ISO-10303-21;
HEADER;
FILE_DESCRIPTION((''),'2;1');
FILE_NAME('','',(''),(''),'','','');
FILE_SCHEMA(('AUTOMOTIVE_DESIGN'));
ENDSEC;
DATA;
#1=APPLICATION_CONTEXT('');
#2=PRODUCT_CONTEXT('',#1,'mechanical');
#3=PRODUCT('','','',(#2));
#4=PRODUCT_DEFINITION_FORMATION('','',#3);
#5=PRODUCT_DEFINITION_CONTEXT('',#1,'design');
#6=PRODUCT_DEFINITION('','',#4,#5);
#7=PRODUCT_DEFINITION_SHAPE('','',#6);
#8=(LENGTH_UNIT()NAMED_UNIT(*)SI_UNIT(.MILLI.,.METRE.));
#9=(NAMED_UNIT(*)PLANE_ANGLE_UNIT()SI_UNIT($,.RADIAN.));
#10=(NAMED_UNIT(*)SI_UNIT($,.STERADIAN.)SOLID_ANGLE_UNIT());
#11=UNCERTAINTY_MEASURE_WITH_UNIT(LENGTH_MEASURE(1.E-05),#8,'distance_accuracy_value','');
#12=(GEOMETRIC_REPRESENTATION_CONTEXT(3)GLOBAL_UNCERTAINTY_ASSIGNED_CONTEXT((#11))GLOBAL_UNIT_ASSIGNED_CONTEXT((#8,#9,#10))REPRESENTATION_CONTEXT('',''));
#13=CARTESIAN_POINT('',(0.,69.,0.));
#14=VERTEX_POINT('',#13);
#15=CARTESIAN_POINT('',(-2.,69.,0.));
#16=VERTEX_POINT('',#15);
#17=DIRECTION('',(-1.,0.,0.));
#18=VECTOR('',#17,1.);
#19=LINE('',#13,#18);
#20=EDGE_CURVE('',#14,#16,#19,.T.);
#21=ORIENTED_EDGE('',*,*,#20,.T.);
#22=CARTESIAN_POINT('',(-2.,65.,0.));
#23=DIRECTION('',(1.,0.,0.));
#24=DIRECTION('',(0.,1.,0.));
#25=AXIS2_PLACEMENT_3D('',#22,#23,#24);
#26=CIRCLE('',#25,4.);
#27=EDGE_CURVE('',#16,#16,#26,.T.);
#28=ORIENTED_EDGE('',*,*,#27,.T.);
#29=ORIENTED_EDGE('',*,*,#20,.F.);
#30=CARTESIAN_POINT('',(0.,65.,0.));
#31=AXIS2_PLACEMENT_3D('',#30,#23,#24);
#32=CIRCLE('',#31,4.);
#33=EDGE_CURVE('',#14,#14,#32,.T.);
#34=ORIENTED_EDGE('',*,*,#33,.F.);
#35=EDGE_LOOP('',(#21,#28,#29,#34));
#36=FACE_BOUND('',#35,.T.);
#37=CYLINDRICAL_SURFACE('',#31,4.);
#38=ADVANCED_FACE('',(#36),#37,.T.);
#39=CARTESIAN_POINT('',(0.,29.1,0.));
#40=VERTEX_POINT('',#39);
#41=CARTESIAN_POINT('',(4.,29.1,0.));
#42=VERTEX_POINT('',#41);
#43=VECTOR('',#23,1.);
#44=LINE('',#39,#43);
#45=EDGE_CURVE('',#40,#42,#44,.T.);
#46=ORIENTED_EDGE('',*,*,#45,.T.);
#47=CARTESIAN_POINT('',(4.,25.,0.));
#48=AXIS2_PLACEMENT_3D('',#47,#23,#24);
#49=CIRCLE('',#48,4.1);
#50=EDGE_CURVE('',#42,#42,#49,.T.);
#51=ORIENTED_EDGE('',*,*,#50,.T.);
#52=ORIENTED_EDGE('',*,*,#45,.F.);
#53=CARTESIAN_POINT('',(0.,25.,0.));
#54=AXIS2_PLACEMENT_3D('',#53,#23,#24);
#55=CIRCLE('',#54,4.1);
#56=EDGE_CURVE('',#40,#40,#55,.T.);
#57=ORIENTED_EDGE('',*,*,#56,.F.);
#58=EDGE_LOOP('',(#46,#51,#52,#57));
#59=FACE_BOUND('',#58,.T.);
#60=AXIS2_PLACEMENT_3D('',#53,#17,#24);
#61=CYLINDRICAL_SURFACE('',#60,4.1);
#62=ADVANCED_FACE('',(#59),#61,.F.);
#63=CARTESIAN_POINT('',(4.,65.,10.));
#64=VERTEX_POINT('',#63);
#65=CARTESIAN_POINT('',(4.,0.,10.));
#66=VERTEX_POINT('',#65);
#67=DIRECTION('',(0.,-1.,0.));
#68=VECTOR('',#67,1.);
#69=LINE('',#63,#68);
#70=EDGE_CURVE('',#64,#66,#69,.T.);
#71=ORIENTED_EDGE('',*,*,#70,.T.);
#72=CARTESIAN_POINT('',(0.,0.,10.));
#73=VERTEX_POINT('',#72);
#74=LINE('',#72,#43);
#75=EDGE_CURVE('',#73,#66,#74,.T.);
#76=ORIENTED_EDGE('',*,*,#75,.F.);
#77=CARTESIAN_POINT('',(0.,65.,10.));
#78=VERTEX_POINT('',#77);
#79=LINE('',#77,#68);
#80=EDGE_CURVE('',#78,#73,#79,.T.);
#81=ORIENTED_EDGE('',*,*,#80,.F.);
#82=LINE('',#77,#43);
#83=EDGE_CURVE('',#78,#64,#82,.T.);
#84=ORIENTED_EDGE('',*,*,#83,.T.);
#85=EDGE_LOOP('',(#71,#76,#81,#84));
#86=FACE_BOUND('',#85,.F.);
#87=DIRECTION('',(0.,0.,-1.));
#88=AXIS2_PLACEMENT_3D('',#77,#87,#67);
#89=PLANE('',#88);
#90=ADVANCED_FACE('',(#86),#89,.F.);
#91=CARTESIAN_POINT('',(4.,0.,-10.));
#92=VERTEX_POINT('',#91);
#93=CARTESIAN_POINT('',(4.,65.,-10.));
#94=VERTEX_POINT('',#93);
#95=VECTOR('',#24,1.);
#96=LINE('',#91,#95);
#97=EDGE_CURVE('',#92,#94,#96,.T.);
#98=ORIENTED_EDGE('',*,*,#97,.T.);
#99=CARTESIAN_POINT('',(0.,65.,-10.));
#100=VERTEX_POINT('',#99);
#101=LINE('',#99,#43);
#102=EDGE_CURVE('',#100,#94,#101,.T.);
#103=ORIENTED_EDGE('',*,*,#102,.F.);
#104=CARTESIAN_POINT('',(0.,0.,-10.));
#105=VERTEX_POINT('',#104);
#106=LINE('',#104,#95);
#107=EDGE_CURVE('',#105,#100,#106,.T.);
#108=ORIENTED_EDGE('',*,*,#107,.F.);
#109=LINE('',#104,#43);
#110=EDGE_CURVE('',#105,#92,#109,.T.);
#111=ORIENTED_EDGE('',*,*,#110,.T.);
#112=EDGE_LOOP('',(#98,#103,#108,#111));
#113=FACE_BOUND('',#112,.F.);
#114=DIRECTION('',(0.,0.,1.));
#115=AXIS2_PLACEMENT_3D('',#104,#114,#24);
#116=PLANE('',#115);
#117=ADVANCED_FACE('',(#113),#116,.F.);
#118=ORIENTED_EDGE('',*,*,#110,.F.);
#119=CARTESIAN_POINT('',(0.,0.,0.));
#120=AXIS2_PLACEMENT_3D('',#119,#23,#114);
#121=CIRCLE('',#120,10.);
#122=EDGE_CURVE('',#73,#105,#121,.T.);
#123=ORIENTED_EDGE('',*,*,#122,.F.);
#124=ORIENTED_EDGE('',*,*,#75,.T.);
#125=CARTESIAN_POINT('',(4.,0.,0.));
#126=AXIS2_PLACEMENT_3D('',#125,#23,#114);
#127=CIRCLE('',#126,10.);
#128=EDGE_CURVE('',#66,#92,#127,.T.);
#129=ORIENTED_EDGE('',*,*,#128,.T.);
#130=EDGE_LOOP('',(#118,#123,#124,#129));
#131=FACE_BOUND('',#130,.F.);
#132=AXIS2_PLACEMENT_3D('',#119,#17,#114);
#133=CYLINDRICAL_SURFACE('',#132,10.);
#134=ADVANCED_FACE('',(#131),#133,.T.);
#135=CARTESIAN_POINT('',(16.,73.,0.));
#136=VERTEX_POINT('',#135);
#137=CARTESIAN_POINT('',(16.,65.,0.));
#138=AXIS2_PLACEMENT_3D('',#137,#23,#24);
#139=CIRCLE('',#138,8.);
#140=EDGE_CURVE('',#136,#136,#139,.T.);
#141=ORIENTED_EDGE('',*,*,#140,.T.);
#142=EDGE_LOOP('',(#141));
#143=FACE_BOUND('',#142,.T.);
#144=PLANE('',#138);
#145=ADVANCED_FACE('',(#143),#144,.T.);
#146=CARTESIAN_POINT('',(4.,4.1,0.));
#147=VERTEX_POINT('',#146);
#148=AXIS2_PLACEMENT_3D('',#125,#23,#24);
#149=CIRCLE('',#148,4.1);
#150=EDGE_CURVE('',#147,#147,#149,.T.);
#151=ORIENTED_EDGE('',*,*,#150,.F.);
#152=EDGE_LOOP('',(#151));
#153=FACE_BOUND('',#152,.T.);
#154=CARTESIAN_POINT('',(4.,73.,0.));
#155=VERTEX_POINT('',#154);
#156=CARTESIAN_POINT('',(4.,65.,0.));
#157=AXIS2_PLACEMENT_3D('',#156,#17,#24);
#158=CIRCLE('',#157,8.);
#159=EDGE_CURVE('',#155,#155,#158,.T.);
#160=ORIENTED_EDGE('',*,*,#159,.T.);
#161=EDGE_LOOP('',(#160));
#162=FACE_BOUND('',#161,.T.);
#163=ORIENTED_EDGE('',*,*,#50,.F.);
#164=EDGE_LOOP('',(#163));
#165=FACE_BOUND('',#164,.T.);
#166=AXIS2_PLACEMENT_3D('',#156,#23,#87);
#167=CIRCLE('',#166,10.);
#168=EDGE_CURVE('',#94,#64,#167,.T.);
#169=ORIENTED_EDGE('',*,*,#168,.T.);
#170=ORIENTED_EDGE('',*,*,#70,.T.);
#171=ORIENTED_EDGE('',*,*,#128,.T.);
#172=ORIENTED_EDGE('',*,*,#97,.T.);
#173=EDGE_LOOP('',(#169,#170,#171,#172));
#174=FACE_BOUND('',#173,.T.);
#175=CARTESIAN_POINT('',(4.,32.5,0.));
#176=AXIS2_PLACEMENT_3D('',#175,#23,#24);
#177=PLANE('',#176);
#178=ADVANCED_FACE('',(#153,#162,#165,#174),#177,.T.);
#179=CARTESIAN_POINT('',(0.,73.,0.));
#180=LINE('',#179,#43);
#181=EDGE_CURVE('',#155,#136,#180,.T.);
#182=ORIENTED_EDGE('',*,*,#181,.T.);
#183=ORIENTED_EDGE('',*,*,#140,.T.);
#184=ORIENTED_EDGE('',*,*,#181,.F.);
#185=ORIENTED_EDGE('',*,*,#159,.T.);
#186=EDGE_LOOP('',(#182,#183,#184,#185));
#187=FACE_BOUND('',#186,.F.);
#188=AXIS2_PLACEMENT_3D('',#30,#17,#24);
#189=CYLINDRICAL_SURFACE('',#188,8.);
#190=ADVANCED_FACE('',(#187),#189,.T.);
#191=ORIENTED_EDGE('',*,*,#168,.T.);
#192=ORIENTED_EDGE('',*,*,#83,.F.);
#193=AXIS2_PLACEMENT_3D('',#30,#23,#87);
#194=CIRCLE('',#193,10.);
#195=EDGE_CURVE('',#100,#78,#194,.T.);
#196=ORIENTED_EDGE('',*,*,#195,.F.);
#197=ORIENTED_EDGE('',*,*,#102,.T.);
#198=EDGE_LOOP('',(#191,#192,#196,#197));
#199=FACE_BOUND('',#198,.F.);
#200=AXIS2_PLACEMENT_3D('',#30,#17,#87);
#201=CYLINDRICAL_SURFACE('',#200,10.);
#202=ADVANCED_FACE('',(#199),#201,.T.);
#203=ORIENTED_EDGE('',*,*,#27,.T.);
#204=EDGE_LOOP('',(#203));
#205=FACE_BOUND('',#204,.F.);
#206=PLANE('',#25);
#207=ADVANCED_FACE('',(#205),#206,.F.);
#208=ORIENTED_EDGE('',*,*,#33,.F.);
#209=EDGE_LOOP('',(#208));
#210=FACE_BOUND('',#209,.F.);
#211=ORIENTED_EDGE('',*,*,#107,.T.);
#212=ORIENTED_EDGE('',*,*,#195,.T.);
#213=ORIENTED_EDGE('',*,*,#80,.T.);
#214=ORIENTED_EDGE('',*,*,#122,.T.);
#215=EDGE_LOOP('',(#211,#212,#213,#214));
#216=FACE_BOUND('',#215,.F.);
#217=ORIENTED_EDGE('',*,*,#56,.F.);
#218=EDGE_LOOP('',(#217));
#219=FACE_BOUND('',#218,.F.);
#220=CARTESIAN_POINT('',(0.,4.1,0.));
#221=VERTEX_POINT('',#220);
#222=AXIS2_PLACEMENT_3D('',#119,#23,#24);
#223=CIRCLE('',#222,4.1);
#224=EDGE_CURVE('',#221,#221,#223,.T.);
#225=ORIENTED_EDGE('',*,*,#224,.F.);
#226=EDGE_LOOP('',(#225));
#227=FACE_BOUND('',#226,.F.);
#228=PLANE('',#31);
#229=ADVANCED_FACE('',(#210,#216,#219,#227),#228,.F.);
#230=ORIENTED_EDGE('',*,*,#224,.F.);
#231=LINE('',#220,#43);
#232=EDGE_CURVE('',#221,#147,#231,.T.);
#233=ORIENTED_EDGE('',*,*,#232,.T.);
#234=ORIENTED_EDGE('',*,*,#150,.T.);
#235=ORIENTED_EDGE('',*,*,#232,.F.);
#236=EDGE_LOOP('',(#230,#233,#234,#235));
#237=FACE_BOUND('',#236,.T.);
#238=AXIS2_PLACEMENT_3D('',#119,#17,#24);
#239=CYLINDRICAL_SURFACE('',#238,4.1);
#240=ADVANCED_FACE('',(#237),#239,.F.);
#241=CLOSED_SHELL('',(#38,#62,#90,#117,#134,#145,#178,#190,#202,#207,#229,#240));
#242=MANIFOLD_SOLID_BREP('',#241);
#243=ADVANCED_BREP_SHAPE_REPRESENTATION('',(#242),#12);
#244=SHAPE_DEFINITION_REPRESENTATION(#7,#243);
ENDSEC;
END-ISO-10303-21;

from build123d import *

# Parameters (mm, degrees)
F0_R     = 4.1
F1_DEPTH = 4
F2_R     = 8
F2_R_2   = 4
F3_DEPTH = 16
F4_DEPTH = 2


with BuildPart() as f1:
    # F0 (on Right) → F1 (new body)
    with BuildSketch(Plane.YZ):
        with BuildLine():
            Line((65, 10), (0, 10))
            ThreePointArc((0, 10), (-10, 0), (0, -10))
            Line((0, -10), (65, -10))
            ThreePointArc((65, -10), (75, 0), (65, 10))
        make_face()
        Circle(F0_R, mode=Mode.SUBTRACT)
        with Locations((25, 0)):
            Circle(F0_R, mode=Mode.SUBTRACT)
    extrude(amount=F1_DEPTH)

    # F2 (on Right) → F3 (join)
    with BuildSketch(Plane.YZ):
        with Locations((65, 0)):
            Circle(F2_R)
        with Locations((65, 0)):
            Circle(F2_R_2, mode=Mode.SUBTRACT)
        with Locations((65, 0)):
            Circle(F2_R_2)
    extrude(amount=F3_DEPTH)

    # F2 (on Right) → F4 (join)
    with BuildSketch(Plane.YZ):
        with Locations((65, 0)):
            Circle(F2_R_2)
    extrude(amount=-F4_DEPTH)


solid = f1.part
